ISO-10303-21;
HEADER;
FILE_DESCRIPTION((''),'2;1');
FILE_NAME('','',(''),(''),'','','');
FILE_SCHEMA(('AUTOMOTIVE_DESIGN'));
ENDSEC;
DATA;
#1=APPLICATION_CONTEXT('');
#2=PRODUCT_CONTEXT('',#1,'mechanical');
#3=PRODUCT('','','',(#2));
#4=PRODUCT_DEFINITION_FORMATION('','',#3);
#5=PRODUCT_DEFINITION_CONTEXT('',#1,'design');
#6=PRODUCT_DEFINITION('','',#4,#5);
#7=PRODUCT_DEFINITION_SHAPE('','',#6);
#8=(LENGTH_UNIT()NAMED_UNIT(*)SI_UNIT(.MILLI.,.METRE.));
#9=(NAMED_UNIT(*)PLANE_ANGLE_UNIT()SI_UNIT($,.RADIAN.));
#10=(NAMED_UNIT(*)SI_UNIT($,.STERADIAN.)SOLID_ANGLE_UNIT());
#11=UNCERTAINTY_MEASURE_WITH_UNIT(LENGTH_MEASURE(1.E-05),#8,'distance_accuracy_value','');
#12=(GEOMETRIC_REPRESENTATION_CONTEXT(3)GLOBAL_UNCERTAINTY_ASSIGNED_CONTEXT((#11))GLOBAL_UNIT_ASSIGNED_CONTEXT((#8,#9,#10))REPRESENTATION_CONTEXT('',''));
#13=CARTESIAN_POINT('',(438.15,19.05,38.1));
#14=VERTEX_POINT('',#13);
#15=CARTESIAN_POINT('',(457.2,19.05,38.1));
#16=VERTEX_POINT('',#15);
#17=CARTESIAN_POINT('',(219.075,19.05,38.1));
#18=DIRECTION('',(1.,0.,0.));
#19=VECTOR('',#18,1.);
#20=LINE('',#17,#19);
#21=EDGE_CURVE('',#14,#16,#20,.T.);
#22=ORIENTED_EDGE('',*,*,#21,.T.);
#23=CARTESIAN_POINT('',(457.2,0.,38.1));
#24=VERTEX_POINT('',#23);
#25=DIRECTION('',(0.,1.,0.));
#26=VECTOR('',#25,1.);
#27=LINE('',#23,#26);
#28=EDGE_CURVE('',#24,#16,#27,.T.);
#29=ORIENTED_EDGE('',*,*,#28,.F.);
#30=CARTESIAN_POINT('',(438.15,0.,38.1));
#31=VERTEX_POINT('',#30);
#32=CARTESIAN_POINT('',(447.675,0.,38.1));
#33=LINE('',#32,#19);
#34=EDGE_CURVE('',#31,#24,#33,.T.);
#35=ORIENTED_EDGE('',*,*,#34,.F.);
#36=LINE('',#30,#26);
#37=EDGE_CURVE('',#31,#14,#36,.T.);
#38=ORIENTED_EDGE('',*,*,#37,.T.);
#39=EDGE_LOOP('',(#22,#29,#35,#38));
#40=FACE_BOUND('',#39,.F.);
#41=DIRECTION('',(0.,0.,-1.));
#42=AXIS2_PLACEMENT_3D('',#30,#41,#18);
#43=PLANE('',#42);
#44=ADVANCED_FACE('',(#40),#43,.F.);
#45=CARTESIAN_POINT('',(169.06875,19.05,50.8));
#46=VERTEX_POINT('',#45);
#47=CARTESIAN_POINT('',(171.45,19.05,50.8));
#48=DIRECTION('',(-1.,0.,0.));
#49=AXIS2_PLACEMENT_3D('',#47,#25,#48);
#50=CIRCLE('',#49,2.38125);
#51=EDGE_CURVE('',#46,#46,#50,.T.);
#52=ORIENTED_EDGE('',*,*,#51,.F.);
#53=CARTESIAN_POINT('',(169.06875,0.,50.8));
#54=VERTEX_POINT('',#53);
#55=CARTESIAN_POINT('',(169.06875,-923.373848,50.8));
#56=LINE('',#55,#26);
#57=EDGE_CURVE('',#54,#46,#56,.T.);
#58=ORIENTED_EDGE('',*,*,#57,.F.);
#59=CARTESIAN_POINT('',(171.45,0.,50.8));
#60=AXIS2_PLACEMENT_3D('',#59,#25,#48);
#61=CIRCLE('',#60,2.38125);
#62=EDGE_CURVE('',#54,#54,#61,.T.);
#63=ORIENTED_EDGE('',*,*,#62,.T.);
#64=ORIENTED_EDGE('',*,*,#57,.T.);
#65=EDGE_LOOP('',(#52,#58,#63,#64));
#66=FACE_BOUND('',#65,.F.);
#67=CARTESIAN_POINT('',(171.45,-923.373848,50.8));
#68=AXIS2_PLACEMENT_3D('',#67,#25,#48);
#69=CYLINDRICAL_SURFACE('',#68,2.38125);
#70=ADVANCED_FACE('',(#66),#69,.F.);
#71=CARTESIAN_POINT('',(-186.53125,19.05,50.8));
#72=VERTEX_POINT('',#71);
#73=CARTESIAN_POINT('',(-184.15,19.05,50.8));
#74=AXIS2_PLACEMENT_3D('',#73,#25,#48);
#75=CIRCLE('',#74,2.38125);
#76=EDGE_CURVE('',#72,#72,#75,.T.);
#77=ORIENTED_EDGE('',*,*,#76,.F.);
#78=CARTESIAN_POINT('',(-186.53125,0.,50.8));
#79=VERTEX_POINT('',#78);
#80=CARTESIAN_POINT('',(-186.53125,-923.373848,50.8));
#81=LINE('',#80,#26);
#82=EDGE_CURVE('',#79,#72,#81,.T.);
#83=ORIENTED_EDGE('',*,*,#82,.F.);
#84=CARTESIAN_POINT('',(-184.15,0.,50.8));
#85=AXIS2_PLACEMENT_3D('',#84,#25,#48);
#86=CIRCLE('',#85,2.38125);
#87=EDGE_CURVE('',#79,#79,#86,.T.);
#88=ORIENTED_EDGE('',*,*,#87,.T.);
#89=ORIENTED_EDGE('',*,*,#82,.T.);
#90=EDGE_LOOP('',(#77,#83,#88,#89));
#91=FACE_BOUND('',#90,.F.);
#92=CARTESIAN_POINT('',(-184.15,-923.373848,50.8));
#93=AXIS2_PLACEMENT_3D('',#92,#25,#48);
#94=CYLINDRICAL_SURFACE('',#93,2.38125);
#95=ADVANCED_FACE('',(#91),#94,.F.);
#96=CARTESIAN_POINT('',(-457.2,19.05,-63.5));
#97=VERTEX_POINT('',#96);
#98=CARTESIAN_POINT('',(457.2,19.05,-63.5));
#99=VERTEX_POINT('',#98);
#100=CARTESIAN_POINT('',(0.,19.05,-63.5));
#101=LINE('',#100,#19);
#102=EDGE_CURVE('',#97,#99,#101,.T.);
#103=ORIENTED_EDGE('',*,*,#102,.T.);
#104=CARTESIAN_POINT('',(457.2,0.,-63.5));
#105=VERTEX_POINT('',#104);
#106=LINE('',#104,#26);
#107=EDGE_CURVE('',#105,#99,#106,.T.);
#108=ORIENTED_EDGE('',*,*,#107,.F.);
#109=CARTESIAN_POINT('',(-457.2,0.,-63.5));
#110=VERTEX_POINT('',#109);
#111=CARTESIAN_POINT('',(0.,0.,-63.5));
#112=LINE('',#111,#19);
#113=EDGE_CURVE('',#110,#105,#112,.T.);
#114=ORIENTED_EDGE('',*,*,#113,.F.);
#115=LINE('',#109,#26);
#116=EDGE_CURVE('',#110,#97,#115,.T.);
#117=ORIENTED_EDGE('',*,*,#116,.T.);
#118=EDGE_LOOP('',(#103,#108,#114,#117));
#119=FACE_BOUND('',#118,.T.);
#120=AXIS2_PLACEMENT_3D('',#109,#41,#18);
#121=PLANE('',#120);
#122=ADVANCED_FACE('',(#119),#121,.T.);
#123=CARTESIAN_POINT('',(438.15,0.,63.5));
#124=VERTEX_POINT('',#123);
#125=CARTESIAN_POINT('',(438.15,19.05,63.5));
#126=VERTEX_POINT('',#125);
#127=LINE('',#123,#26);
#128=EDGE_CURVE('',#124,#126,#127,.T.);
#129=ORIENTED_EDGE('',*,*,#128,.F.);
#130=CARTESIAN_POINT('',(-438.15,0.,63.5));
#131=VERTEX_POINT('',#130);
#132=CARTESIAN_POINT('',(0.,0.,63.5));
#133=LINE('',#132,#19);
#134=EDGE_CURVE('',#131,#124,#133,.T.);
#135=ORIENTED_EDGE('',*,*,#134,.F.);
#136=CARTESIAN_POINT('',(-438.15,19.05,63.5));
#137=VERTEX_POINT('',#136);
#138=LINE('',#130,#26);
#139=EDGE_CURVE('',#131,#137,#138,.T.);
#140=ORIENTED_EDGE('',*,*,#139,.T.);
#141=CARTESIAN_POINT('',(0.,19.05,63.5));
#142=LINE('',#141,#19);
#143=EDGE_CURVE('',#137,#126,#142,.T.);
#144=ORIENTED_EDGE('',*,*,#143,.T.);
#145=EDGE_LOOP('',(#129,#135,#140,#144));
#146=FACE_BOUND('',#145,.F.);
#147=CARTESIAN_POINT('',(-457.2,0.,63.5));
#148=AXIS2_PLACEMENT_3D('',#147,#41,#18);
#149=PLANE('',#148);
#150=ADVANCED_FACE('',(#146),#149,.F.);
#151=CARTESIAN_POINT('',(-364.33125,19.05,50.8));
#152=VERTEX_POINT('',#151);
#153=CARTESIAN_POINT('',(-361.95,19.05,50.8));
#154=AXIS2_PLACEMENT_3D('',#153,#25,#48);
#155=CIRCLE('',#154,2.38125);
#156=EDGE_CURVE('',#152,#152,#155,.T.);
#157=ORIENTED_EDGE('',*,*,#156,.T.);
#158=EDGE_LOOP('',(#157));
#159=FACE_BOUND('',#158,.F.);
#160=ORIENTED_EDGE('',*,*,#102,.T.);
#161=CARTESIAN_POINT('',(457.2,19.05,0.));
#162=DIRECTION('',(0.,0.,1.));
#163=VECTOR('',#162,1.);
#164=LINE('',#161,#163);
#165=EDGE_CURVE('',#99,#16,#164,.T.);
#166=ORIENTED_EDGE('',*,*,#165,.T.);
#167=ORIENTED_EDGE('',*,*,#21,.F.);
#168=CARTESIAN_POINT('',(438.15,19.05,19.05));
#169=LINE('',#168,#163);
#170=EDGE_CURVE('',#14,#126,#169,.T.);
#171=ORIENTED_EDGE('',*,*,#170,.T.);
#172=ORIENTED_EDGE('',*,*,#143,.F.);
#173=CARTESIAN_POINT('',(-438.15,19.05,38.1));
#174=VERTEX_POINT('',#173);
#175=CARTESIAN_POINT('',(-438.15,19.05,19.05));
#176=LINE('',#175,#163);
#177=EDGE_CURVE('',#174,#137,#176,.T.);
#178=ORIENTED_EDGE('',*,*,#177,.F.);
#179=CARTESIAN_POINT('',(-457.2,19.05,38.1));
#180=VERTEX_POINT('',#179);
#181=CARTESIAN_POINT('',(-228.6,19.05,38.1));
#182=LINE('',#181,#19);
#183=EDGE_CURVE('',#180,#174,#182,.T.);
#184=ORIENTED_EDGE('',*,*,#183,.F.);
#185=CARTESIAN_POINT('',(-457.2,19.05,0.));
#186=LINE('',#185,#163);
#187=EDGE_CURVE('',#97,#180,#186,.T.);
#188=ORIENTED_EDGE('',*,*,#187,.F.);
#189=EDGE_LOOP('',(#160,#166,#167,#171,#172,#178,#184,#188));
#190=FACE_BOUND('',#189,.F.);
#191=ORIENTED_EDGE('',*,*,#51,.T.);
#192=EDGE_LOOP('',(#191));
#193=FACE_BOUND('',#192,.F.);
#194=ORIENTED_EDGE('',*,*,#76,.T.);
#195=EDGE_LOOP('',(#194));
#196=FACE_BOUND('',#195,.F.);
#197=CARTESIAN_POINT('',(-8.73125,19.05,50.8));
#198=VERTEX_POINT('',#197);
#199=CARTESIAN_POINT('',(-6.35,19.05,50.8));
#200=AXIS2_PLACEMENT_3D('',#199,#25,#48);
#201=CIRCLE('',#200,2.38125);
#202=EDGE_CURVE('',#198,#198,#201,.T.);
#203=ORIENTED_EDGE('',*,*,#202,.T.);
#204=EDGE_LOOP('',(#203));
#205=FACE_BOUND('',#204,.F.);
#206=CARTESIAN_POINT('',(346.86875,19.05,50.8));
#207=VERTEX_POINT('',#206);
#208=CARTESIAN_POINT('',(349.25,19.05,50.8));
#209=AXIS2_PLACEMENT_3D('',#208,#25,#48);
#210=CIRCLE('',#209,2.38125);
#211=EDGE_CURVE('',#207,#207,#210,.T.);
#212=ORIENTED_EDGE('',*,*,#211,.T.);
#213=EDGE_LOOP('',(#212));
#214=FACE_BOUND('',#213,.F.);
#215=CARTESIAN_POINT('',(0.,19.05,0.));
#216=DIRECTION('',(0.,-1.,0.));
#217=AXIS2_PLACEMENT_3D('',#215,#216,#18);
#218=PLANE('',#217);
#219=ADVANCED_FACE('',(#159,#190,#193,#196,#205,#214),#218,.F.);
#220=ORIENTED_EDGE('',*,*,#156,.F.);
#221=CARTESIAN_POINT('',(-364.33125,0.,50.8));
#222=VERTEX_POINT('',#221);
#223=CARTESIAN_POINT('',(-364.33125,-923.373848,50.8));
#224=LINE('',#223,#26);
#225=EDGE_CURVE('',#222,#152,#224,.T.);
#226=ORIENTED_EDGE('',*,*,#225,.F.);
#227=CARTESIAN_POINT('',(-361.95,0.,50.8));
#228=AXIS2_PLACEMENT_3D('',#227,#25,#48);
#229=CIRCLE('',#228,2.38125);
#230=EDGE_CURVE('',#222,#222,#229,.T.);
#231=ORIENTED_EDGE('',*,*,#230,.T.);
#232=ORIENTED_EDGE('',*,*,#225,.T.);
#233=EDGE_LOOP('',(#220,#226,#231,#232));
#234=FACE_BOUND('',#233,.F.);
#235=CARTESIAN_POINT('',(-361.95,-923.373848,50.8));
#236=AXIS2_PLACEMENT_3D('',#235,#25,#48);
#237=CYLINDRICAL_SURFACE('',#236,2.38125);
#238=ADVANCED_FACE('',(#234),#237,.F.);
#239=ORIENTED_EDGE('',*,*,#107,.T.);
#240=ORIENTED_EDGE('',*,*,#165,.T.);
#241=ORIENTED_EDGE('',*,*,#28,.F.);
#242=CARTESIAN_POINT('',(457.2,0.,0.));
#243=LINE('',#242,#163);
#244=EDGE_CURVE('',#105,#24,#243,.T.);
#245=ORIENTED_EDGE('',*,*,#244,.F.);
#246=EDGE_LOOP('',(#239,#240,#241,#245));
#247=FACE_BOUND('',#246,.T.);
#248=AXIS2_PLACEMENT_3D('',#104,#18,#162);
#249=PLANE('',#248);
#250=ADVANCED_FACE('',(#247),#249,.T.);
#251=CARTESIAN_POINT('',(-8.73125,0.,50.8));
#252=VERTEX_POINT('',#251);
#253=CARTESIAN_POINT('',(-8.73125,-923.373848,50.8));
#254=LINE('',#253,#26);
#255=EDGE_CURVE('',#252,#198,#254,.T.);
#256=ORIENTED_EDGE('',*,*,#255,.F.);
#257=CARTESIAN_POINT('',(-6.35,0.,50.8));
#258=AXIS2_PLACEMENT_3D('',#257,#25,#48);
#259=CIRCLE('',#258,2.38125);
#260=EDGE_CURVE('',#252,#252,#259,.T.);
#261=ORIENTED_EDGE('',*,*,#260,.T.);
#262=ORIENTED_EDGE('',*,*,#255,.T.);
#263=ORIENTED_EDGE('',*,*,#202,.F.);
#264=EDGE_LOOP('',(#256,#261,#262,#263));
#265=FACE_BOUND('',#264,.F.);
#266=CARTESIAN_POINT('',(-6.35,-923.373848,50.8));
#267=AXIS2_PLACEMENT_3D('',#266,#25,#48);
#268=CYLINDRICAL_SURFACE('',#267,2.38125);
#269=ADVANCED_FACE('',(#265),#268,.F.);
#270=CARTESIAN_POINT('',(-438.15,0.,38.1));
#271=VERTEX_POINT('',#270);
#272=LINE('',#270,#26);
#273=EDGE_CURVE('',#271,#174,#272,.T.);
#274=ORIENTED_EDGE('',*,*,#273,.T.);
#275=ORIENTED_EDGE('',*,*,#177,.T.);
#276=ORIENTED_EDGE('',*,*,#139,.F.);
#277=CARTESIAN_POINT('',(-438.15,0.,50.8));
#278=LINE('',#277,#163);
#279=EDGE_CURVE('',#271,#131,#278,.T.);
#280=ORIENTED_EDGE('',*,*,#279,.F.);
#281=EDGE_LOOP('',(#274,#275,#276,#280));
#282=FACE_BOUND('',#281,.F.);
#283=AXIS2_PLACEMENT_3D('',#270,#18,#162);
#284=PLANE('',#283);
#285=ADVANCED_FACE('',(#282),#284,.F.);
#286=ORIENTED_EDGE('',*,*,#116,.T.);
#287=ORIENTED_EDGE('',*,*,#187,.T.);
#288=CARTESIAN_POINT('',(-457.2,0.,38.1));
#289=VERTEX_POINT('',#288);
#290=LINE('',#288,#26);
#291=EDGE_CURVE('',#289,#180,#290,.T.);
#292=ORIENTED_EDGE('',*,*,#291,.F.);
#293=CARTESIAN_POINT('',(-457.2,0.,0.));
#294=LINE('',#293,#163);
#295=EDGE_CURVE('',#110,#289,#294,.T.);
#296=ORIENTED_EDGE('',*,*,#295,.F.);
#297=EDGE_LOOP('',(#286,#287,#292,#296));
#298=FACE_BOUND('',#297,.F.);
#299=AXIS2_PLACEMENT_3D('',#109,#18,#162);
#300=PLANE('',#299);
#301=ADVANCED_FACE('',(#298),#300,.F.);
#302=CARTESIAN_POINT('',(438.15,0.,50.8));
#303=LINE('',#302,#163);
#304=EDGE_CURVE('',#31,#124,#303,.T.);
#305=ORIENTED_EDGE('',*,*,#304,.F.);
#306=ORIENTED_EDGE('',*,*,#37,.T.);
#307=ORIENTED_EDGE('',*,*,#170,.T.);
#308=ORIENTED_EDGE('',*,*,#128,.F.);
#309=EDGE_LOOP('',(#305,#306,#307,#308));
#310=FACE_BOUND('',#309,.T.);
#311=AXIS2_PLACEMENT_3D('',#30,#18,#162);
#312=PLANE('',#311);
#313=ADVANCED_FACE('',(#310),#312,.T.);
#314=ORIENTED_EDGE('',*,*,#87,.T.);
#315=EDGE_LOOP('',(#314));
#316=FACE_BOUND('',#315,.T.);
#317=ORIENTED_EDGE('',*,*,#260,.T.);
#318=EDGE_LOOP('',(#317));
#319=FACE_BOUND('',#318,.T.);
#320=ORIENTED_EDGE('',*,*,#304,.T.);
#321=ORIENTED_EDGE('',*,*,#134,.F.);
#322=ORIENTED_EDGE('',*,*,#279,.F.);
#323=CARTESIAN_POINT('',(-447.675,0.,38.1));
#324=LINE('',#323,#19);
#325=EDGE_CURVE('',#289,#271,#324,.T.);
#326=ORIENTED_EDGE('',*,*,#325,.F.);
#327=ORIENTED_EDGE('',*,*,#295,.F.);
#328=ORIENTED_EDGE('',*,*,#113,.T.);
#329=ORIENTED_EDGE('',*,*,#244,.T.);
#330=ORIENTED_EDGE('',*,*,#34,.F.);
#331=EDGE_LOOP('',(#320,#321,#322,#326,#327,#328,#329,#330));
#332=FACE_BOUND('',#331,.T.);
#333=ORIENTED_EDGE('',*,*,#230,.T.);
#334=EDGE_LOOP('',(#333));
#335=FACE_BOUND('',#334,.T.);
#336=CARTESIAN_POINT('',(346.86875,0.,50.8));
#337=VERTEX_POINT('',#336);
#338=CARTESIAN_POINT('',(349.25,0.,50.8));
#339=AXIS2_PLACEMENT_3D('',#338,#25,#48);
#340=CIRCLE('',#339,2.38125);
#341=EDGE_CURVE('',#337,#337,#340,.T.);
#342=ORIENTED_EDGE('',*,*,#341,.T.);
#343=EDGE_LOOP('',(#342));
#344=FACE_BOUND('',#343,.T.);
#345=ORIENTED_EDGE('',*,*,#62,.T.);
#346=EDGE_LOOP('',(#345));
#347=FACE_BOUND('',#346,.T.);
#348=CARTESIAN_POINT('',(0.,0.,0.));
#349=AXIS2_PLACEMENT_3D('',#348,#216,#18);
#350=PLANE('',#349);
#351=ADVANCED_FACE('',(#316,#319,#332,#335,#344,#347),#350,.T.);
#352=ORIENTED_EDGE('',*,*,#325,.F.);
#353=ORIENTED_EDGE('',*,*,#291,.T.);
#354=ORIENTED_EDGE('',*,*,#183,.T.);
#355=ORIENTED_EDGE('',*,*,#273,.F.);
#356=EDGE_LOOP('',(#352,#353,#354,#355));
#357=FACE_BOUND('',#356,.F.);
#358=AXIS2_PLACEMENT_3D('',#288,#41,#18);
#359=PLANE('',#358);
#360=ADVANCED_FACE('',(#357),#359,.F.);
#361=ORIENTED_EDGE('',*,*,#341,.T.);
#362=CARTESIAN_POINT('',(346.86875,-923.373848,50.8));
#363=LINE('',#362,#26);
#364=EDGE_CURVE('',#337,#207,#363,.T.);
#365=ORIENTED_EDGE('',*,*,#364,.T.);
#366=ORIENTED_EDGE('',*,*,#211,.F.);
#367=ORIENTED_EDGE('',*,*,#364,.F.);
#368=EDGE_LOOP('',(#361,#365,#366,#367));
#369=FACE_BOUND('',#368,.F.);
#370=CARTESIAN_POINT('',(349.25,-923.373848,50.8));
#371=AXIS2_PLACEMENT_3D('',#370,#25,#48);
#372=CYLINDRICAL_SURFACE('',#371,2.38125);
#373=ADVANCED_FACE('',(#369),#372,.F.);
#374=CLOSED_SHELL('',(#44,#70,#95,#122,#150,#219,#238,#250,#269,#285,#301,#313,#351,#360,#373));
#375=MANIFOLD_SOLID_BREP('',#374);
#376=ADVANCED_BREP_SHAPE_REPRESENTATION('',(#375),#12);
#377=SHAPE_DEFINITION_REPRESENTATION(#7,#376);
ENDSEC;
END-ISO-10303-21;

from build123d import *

# Parameters (mm, degrees)
F0_W     = 914.4
F0_H     = 127
F1_DEPTH = 19.05
F2_W     = 19.05
F2_H     = 25.4
F3_DEPTH = 19.051
F5_D     = 4.7625


with BuildPart() as f1:
    # F0 (on Front) → F1 (new body)
    with BuildSketch(Plane.XZ):
        Rectangle(F0_W, F0_H)
    extrude(amount=-F1_DEPTH)

    # F2 (on face) → F3 (cut, through all)
    with BuildSketch(Plane.XZ):
        with Locations((-447.675, 50.8)):
            Rectangle(F2_W, F2_H)
        with Locations((447.675, 50.8)):
            Rectangle(F2_W, F2_H)
    extrude(amount=-F3_DEPTH, mode=Mode.SUBTRACT)

    # F5 (through all)
    with Locations(Plane.XZ):
        with Locations((-361.95, 50.8), (-184.15, 50.8), (-6.35, 50.8), (171.45, 50.8), (349.25, 50.8)):
            Hole(F5_D / 2)


solid = f1.part
